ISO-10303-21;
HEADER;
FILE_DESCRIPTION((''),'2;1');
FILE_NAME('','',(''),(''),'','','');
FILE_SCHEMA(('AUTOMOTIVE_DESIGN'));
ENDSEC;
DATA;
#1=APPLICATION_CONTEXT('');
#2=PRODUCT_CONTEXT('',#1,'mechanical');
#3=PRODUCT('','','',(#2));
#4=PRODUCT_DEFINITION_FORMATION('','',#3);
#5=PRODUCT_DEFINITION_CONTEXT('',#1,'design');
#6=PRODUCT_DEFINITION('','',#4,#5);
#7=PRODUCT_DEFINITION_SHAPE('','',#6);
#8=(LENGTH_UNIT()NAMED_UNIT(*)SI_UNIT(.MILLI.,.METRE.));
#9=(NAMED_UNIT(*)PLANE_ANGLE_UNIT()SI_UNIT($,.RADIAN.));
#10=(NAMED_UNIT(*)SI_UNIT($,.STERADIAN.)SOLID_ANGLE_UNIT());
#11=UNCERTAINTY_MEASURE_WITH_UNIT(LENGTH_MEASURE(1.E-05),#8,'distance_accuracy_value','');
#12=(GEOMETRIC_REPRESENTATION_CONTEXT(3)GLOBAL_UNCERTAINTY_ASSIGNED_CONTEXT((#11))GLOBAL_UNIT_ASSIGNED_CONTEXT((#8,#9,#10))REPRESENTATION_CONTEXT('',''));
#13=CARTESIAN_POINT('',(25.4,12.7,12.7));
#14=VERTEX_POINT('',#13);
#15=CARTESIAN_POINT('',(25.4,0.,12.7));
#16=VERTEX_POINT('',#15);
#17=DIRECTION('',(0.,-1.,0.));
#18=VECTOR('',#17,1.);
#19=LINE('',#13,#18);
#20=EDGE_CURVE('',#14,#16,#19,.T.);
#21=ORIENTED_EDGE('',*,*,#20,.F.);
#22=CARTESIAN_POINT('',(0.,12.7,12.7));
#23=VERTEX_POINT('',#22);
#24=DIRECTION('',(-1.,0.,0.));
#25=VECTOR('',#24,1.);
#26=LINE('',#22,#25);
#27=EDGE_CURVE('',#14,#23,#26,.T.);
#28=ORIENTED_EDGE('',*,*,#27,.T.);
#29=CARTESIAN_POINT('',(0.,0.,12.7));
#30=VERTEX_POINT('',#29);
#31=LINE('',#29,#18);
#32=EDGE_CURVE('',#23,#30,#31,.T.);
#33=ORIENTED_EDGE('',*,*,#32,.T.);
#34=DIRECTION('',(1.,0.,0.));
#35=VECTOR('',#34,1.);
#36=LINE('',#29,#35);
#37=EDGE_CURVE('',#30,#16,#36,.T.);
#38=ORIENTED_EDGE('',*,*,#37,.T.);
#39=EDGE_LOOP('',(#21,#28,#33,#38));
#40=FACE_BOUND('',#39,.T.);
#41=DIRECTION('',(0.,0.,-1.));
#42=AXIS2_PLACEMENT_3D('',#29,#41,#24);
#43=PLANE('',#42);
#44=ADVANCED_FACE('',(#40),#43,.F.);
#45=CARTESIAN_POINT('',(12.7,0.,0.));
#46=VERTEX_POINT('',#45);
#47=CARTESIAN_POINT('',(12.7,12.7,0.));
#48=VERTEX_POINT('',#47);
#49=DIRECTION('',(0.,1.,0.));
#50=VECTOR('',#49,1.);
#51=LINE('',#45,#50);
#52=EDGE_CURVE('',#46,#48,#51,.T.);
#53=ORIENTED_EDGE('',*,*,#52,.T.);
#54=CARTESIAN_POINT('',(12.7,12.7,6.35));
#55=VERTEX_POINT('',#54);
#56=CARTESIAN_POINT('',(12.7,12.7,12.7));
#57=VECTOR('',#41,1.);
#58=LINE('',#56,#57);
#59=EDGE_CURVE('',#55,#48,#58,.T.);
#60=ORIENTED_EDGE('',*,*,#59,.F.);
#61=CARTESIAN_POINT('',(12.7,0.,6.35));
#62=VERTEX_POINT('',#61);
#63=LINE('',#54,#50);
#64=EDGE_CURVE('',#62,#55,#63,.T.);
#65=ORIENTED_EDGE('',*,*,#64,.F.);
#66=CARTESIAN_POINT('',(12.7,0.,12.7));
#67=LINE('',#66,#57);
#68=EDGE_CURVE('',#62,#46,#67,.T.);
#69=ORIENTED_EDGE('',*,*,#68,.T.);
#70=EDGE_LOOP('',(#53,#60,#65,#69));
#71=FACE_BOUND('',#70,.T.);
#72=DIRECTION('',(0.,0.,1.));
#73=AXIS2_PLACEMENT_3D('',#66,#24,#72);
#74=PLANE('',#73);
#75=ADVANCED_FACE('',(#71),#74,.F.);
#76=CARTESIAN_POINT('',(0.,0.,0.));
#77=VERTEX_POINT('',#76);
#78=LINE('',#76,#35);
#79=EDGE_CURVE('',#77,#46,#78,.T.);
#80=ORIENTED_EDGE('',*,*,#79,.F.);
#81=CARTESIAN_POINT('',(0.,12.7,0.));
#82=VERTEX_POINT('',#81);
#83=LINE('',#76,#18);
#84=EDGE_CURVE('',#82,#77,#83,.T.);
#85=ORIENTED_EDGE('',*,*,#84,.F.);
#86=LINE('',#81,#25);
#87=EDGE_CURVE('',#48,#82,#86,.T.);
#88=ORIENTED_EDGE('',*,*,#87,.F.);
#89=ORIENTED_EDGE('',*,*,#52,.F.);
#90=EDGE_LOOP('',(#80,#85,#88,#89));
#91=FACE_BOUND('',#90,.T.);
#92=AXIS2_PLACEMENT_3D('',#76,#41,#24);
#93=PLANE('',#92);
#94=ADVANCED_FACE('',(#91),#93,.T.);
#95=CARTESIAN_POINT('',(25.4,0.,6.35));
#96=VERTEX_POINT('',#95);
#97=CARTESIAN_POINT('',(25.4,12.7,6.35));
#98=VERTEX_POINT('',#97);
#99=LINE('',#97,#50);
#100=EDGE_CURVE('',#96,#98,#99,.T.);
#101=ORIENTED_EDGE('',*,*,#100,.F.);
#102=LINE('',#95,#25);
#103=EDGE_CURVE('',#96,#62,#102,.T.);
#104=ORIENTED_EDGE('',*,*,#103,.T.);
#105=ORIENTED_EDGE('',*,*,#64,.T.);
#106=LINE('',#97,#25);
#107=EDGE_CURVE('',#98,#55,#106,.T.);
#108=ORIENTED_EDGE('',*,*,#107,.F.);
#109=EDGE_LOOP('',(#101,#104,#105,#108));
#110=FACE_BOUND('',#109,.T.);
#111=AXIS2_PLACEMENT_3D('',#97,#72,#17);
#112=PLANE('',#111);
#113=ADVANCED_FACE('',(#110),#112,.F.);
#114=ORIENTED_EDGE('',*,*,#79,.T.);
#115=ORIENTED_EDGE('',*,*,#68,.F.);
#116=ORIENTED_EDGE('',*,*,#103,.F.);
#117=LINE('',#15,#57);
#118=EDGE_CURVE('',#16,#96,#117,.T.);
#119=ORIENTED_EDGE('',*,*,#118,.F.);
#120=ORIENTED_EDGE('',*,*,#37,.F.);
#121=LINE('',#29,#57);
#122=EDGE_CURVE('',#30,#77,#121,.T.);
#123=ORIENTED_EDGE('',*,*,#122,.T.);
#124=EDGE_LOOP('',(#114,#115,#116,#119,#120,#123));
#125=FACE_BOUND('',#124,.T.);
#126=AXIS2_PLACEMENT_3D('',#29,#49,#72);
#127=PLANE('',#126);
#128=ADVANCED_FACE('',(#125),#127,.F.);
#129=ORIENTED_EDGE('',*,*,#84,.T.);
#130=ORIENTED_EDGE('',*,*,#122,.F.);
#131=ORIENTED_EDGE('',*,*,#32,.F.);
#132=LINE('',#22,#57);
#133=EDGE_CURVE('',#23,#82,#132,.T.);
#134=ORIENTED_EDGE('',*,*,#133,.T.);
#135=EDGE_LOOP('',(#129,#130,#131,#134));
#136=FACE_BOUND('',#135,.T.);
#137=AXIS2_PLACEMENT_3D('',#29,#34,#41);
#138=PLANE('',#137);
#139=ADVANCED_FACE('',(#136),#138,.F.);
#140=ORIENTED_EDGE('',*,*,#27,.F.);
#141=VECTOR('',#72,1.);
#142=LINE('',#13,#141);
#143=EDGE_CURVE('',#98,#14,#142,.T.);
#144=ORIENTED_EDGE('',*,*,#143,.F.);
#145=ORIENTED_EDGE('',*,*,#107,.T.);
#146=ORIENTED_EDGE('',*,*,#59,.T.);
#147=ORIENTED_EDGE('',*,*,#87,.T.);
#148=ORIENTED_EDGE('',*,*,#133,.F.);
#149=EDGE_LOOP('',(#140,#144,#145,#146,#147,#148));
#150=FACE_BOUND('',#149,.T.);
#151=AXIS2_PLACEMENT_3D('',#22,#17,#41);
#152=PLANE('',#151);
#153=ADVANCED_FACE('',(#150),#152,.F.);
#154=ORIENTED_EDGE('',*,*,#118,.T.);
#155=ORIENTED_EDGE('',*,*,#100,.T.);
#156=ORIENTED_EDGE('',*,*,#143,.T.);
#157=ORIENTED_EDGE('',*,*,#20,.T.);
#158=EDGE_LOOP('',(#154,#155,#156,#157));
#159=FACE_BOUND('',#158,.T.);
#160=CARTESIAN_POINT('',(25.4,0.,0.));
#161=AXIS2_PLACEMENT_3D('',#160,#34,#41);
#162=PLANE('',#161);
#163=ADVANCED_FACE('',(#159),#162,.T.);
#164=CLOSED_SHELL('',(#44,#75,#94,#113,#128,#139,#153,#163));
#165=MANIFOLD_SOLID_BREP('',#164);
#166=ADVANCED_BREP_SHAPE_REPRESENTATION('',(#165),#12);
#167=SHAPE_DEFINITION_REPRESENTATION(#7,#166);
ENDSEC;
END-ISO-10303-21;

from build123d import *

# Parameters (mm, degrees)
SKETCH1_W           = 12.7
SKETCH1_H           = 12.7
BOSS_EXTRUDE1_DEPTH = 12.7
SKETCH2_W           = 6.35
SKETCH2_H           = 12.7
BOSS_EXTRUDE2_DEPTH = 12.7


with BuildPart() as part:
    # Sketch1 → Boss-Extrude1 (new body)
    with BuildSketch(Plane.XY):
        with Locations((6.35, 6.35)):
            Rectangle(SKETCH1_W, SKETCH1_H)
    extrude(amount=BOSS_EXTRUDE1_DEPTH)

    # Sketch2 → Boss-Extrude2 (add)
    with BuildSketch(Plane(origin=(12.7, 0, 0), x_dir=(0, 0, -1), z_dir=(1, 0, 0))):
        with Locations((-9.525, 6.35)):
            Rectangle(SKETCH2_W, SKETCH2_H)
    extrude(amount=BOSS_EXTRUDE2_DEPTH)


solid = part.part
